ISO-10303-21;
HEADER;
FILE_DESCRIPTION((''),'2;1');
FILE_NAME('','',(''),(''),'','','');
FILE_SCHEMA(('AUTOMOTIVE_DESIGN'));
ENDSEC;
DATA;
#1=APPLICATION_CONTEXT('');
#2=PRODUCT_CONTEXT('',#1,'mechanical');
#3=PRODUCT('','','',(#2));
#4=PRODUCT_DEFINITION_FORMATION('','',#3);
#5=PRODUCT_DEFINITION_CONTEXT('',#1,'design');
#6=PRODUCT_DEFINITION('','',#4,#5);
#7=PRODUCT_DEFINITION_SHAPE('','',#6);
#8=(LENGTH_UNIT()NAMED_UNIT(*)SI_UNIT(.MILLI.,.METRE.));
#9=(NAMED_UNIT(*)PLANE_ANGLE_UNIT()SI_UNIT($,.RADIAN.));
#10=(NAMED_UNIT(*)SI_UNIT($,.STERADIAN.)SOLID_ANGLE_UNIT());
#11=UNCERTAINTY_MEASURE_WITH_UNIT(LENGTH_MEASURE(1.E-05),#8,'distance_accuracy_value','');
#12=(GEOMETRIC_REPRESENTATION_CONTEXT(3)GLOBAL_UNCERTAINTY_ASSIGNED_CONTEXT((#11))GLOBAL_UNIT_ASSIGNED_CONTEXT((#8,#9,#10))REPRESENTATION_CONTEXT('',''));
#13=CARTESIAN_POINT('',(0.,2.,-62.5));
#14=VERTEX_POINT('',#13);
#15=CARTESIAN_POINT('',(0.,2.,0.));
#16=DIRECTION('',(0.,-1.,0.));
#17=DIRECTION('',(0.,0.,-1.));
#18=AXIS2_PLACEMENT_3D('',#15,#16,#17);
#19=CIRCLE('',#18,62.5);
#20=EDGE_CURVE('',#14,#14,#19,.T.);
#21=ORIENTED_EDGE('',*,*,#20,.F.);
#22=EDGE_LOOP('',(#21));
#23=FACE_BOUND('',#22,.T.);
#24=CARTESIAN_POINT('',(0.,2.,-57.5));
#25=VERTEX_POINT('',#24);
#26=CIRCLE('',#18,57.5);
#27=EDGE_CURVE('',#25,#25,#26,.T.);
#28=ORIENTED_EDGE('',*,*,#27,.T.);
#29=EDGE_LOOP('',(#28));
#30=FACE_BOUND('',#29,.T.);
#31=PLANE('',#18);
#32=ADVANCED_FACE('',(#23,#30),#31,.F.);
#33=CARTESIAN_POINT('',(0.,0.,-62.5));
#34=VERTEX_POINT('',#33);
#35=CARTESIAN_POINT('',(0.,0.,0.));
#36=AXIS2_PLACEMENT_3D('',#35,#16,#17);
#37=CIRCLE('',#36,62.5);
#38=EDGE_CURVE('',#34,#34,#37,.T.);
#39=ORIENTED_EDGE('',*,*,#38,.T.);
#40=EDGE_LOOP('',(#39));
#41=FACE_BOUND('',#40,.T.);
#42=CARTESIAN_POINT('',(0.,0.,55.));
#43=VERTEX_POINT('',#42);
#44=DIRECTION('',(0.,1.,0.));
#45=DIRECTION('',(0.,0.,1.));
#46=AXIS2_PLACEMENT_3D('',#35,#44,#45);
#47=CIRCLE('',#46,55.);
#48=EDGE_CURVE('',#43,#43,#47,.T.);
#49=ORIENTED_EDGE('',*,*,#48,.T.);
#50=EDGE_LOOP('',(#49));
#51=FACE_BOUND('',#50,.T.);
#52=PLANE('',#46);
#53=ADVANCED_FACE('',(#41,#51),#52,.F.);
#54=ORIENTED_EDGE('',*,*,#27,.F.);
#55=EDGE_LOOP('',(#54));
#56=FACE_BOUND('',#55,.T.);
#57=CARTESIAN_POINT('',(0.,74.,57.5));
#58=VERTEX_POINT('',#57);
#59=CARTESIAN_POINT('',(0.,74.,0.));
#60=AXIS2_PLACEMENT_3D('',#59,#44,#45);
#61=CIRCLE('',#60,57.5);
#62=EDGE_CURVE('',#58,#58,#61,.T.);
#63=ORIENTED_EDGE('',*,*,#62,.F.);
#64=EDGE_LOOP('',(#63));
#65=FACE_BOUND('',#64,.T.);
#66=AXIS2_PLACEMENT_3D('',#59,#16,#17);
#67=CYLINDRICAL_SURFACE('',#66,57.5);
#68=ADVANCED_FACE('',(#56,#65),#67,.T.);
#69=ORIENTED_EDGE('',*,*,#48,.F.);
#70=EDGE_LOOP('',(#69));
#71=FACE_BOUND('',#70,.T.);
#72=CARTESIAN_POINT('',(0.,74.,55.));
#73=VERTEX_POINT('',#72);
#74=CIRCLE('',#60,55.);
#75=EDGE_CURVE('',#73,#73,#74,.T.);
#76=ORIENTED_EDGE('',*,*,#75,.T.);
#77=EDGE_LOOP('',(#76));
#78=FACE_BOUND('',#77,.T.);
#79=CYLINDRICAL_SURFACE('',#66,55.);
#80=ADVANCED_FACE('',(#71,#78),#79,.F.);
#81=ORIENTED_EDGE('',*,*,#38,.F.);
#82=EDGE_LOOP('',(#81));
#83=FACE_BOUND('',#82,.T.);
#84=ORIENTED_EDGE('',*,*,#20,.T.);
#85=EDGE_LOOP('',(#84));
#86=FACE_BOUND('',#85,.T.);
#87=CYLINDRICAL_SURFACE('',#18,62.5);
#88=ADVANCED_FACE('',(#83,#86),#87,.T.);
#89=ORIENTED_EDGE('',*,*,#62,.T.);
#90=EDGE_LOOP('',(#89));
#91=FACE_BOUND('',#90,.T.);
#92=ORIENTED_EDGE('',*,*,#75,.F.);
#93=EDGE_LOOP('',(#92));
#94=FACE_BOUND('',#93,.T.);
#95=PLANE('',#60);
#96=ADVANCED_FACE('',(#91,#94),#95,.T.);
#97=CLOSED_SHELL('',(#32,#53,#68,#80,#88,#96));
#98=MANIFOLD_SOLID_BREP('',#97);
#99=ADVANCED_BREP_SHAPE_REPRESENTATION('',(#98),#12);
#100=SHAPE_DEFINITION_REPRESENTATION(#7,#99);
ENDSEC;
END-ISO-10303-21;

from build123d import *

# Parameters (mm, degrees)
SKETCH1_R           = 57.5
SKETCH1_R_2         = 55
BOSS_EXTRUDE1_DEPTH = 74
SKETCH2_R           = 62.5
SKETCH2_R_2         = 57.5
BOSS_EXTRUDE2_DEPTH = 2


with BuildPart() as part:
    # Sketch1 → Boss-Extrude1 (new body)
    with BuildSketch(Plane(origin=(0, 0, 0), x_dir=(1, 0, 0), z_dir=(0, 1, 0))):
        with Locations(Location((0, 0, 0), (0, 0, 270))):
            Circle(SKETCH1_R)
        with Locations(Location((0, 0, 0), (0, 0, 270))):
            Circle(SKETCH1_R_2, mode=Mode.SUBTRACT)
    extrude(amount=BOSS_EXTRUDE1_DEPTH)

    # Sketch2 → Boss-Extrude2 (add)
    with BuildSketch(Plane(origin=(0, 0, 0), x_dir=(-1, 0, 0), z_dir=(0, -1, 0))):
        with Locations(Location((0, 0, 0), (0, 0, 90))):
            Circle(SKETCH2_R)
        with Locations(Location((0, 0, 0), (0, 0, 90))):
            Circle(SKETCH2_R_2, mode=Mode.SUBTRACT)
    extrude(amount=-BOSS_EXTRUDE2_DEPTH)


solid = part.part
